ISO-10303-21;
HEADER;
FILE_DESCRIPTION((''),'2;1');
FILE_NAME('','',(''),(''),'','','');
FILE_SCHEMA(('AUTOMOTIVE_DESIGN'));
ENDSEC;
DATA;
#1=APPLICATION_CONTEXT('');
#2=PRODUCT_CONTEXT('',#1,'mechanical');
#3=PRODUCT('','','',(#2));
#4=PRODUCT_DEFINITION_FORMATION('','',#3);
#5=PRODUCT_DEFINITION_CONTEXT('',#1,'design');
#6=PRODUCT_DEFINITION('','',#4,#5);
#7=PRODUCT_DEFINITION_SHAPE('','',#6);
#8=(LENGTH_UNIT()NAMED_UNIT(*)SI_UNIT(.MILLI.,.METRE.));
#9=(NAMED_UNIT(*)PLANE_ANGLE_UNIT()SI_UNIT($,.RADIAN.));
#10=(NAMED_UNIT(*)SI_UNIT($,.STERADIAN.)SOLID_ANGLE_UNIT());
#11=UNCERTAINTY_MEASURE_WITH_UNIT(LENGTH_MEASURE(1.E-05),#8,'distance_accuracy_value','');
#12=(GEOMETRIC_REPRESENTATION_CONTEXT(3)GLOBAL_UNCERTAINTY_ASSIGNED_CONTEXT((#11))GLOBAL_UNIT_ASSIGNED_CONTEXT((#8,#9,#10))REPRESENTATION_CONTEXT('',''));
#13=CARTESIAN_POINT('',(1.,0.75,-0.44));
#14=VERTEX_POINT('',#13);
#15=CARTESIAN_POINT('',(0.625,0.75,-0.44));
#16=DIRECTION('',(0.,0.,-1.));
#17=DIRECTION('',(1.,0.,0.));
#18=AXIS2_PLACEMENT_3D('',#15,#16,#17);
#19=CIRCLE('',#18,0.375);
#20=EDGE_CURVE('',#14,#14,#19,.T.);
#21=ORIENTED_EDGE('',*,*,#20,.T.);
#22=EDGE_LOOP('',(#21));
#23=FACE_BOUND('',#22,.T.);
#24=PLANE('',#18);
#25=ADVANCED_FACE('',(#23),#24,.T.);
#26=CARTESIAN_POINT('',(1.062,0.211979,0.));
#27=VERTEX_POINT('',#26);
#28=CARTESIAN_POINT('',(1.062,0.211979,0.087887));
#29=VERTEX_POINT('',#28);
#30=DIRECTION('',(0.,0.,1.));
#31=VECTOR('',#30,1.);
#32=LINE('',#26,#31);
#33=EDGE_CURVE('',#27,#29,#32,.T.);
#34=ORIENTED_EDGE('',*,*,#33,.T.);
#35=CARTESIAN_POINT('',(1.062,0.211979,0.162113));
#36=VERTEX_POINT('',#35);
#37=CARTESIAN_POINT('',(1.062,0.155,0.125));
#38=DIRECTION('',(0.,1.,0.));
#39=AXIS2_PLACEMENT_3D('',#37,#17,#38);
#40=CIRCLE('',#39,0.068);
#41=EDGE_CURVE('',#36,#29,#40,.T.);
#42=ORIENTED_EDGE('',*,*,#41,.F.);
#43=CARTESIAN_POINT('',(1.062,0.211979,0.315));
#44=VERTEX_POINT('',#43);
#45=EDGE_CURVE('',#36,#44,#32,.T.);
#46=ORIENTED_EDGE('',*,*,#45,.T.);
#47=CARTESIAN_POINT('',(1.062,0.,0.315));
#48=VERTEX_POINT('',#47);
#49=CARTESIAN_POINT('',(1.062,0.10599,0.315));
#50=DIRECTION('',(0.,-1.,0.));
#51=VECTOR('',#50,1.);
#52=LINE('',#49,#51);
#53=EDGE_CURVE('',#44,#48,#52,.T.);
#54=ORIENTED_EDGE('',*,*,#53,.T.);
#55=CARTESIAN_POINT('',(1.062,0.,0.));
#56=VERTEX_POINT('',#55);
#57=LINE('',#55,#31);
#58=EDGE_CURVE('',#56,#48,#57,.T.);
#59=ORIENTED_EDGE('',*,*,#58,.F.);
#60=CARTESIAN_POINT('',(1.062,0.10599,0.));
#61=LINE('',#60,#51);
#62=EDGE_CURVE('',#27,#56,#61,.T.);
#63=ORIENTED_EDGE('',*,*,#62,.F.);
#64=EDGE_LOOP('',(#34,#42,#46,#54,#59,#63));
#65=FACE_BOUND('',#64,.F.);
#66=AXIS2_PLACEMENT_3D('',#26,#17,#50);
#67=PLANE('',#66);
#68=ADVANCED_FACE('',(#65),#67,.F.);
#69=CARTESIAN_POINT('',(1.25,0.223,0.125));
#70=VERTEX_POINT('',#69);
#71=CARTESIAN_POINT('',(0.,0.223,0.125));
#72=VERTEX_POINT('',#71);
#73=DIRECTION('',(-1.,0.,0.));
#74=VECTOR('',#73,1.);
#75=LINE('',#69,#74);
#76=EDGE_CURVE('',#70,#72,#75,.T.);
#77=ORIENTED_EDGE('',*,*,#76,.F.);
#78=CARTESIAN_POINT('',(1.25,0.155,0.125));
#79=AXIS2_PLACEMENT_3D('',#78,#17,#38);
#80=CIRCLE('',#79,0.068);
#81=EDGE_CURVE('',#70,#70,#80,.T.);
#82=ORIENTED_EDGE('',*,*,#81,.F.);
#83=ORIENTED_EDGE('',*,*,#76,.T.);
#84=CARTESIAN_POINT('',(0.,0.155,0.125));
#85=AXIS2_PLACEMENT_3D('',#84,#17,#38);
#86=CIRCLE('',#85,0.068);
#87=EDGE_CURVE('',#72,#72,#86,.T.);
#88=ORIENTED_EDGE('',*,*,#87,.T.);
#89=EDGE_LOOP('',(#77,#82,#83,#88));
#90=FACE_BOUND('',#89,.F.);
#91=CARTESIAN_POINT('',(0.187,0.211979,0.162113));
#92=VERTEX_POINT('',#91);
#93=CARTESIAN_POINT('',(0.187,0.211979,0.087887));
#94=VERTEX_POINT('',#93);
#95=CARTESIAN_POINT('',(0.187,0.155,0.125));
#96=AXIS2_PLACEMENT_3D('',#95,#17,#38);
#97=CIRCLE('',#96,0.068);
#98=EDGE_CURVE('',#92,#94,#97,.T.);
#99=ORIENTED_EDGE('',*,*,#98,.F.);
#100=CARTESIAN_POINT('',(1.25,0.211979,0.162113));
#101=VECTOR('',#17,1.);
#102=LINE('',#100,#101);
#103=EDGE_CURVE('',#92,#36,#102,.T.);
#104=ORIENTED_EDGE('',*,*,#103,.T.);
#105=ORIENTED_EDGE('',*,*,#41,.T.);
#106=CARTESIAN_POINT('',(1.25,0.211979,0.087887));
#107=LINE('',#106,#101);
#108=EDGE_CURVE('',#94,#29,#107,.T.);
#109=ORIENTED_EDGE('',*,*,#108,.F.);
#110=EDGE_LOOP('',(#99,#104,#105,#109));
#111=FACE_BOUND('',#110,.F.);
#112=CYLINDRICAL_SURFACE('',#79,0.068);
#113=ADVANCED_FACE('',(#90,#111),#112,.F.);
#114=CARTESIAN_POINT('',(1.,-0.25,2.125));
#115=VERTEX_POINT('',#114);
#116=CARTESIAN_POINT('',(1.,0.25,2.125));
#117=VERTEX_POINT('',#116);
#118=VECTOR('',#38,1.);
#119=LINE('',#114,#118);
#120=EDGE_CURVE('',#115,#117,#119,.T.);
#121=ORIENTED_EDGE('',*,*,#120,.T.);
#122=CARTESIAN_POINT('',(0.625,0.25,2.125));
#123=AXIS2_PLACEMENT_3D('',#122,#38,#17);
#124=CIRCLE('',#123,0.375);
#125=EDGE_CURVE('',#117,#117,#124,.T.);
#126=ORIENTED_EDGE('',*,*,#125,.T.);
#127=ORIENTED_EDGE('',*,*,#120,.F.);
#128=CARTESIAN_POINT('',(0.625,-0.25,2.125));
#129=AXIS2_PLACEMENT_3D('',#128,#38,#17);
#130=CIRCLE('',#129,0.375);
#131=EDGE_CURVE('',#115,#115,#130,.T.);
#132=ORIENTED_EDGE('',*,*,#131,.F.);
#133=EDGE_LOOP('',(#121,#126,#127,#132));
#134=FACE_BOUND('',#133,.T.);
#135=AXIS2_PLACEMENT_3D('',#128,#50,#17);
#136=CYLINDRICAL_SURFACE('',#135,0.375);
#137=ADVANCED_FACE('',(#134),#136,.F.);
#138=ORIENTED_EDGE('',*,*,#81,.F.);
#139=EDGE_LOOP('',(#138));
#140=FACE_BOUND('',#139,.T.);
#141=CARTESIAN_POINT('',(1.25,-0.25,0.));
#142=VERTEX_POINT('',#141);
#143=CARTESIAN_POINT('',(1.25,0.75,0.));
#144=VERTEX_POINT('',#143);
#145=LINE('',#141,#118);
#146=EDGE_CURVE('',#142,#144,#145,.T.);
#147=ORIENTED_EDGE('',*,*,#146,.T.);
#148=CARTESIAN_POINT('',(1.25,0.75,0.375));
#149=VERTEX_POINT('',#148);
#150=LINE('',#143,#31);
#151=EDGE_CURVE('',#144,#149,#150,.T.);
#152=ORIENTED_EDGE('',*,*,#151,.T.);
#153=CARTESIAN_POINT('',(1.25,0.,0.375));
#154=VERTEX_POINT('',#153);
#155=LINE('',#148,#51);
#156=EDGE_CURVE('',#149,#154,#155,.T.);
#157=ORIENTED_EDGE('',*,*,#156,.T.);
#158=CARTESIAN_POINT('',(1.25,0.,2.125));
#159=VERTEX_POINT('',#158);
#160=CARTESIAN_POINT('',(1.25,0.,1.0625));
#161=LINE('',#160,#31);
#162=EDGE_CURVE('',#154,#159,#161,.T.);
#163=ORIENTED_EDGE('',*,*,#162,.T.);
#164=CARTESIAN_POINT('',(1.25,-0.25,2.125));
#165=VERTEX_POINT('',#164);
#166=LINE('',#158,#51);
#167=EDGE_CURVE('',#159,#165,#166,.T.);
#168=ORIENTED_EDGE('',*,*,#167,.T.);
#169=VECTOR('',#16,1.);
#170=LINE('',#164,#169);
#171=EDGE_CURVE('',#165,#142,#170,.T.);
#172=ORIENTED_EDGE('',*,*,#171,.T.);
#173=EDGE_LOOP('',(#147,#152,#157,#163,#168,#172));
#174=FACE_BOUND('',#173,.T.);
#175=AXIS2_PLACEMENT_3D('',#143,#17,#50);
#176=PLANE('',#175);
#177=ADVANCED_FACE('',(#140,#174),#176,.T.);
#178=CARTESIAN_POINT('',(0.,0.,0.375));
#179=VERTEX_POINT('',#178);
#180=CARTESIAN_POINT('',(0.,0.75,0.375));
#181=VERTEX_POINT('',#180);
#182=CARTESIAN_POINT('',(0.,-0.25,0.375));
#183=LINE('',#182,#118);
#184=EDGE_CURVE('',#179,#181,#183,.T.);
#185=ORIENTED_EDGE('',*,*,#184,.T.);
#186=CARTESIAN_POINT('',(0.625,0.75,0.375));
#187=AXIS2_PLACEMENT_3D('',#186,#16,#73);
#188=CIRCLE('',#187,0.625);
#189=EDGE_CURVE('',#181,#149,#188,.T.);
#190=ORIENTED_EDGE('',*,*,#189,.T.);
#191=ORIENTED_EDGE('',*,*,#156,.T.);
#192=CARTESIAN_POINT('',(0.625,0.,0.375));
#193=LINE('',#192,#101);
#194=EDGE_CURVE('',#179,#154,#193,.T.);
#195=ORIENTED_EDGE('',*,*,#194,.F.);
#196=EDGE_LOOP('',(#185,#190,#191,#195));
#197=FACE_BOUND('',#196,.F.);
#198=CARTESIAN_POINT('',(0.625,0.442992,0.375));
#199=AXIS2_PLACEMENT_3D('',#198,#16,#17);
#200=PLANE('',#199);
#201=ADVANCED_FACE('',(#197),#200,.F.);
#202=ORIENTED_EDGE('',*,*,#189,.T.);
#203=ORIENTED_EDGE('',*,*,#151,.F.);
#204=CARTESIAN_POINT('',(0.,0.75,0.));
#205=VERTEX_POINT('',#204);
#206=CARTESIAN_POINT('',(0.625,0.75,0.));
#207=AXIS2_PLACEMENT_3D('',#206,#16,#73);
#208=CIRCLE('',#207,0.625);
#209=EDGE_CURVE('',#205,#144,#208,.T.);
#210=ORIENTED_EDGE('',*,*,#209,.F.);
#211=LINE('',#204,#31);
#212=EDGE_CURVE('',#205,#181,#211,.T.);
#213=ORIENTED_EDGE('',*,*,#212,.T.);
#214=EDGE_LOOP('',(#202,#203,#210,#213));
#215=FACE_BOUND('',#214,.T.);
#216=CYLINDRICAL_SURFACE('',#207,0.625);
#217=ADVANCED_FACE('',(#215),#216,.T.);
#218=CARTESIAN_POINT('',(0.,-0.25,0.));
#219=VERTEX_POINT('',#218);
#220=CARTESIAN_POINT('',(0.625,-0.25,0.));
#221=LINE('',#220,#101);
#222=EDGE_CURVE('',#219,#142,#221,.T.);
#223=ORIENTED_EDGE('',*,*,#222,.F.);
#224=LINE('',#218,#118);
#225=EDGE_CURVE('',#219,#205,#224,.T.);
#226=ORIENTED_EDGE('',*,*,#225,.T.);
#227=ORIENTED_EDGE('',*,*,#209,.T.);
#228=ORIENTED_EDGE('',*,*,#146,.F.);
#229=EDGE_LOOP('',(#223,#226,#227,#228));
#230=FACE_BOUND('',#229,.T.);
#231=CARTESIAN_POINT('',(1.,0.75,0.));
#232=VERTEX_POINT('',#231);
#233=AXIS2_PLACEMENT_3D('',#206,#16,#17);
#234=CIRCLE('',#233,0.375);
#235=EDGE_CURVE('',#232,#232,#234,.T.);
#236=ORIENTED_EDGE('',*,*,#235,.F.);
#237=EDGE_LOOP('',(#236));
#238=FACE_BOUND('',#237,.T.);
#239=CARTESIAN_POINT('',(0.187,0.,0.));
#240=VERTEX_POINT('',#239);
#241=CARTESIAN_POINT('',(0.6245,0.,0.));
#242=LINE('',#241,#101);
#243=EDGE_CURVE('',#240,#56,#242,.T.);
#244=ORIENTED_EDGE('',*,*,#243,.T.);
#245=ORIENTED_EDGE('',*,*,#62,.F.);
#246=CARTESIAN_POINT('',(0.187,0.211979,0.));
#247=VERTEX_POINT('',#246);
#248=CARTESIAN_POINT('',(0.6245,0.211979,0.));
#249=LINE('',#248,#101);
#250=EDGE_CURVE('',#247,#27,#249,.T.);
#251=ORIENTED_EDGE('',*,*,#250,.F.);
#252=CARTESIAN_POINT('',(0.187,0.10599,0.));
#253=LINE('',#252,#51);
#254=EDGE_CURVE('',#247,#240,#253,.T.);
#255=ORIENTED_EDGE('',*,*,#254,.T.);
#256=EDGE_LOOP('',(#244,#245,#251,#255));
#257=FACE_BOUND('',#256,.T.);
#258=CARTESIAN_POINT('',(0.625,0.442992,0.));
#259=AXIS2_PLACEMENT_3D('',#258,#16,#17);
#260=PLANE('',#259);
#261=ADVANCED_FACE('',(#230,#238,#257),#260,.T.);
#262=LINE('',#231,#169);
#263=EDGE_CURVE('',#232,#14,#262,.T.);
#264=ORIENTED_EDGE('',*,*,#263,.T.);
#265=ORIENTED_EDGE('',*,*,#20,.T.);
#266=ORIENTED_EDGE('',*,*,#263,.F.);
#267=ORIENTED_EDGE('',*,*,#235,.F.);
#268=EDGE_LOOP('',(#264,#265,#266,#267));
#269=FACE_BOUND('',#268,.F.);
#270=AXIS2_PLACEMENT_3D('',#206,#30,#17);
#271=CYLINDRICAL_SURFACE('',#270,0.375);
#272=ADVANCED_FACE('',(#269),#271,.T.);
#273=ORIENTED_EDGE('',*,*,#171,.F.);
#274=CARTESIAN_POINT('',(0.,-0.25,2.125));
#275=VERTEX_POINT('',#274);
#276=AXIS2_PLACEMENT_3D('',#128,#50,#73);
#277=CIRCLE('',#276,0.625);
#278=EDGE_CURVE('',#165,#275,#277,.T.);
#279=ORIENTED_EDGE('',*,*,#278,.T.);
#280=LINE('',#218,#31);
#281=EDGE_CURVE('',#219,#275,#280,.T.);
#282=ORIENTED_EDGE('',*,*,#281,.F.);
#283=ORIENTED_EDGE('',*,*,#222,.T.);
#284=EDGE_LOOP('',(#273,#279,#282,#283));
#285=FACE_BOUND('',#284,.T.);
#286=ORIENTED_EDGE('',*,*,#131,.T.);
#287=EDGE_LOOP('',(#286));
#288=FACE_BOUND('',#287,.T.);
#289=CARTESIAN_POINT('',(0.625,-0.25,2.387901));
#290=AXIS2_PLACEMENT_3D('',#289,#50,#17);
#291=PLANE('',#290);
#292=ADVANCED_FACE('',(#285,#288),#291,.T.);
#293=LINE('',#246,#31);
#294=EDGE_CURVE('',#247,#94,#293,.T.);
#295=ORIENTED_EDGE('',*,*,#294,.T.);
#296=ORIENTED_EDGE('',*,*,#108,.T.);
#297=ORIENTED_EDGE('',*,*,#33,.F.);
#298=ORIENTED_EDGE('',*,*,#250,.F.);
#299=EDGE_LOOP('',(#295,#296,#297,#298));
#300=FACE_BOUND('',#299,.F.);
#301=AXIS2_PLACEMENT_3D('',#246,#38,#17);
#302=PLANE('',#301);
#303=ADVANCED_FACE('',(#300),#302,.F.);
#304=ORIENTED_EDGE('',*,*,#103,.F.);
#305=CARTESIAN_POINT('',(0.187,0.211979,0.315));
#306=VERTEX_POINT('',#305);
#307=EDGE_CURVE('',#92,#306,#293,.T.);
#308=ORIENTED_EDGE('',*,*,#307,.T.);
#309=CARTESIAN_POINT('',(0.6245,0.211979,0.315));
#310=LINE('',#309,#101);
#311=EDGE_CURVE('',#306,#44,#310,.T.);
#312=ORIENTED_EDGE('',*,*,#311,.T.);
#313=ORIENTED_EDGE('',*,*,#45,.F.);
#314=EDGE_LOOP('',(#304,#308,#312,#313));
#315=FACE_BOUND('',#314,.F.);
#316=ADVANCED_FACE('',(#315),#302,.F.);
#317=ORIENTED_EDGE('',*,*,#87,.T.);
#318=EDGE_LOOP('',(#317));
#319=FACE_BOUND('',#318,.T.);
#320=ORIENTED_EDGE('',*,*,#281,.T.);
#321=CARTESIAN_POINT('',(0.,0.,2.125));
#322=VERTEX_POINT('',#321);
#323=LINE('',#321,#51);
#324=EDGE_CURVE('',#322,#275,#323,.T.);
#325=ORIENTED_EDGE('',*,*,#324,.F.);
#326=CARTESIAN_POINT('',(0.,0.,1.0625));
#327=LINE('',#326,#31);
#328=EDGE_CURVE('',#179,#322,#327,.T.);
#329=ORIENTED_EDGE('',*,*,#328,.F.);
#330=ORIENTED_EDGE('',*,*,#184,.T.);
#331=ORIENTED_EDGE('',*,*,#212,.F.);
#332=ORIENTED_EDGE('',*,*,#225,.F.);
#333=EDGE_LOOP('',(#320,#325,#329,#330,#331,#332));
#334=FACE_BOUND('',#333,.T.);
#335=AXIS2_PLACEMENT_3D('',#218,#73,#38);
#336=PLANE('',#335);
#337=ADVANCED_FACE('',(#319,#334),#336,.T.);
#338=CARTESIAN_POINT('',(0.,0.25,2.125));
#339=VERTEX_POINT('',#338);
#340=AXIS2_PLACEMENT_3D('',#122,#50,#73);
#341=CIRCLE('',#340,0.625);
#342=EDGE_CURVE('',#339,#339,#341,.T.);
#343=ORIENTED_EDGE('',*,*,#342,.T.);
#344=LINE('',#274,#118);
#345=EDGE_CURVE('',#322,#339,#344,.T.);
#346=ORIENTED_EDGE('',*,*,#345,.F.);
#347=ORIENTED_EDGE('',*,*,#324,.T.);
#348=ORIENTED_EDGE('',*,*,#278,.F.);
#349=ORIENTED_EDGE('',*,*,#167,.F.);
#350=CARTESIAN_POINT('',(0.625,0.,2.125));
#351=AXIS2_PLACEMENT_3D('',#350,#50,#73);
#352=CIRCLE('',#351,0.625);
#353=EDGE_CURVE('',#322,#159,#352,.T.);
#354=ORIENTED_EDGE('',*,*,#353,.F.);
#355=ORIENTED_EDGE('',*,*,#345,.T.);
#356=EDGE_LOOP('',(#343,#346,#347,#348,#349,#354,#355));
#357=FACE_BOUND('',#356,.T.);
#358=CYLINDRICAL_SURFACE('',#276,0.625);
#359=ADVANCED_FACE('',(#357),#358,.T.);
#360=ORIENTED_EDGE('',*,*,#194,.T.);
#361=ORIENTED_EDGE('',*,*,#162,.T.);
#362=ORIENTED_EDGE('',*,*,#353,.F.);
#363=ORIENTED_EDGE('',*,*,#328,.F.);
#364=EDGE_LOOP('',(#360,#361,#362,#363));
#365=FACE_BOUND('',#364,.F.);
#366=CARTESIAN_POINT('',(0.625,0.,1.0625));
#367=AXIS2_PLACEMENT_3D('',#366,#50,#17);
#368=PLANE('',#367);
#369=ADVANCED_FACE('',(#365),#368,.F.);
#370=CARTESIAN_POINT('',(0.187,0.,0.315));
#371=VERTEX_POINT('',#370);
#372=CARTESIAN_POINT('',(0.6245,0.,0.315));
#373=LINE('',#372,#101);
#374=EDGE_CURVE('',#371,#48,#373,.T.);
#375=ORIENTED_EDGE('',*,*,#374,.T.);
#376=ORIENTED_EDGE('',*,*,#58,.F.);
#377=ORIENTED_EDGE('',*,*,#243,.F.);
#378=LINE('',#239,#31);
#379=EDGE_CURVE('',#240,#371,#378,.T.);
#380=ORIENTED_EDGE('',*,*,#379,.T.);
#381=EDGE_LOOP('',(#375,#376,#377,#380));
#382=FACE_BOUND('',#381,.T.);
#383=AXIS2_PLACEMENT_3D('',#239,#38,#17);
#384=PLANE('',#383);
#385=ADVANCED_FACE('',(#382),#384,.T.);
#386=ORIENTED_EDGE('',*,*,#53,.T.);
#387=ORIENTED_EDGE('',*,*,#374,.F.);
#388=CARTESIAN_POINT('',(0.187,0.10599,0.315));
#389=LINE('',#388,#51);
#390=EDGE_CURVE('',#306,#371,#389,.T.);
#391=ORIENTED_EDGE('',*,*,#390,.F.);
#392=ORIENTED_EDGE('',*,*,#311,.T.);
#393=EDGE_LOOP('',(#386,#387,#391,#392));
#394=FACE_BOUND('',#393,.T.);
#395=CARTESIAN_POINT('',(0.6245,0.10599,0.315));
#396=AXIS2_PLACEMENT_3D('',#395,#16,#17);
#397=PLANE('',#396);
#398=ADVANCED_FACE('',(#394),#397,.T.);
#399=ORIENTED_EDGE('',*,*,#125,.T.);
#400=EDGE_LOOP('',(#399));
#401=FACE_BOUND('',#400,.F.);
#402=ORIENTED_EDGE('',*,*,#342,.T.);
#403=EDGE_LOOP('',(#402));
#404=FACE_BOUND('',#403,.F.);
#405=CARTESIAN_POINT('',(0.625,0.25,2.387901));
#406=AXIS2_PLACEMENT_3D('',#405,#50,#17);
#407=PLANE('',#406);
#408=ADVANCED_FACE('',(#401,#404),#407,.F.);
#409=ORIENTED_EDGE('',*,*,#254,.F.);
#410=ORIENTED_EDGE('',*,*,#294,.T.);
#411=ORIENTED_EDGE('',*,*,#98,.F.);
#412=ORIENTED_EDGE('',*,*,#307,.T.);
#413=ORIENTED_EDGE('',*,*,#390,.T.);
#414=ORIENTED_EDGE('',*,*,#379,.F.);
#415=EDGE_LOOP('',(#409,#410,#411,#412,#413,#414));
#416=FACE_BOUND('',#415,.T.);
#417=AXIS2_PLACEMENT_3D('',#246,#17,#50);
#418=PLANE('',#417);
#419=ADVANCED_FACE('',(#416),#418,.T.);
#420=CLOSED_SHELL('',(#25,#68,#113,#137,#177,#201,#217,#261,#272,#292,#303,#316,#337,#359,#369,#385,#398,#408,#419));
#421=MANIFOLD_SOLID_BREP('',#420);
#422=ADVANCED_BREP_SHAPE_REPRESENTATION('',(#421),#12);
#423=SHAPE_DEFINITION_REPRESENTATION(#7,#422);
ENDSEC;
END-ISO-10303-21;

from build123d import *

# Parameters (mm, degrees)
F0_W      = 1.25
F0_H      = 2.125
F1_DEPTH  = 0.25
F3_DEPTH  = 0.5
F5_DEPTH  = 25
F7_DEPTH  = 0.375
F8_R      = 0.375
F9_DEPTH  = 0.44
F10_W     = 0.875
F10_H     = 0.2119794213
F11_DEPTH = 0.315
F12_R     = 0.068
F13_DEPTH = 1.251


with BuildPart() as f1:
    # F0 (on Front) → F1 (new body)
    with BuildSketch(Plane.XZ):
        with Locations((0.625, 1.0625)):
            Rectangle(F0_W, F0_H)
    extrude(amount=F1_DEPTH)

    # F2 (on face) → F3 (join)
    with BuildSketch(Plane.XZ.offset(0.25)):
        with BuildLine():
            Line((1, 2.125), (1.25, 2.125))
            ThreePointArc((1.25, 2.125), (0.625, 2.75), (0, 2.125))
            Line((0, 2.125), (0.25, 2.125))
            ThreePointArc((0.25, 2.125), (0.625, 2.5), (1, 2.125))
        make_face()
        with BuildLine():
            ThreePointArc((0, 2.125), (0.625, 1.5), (1.25, 2.125))
            Line((1.25, 2.125), (1, 2.125))
            ThreePointArc((1, 2.125), (0.625, 1.75), (0.25, 2.125))
            Line((0.25, 2.125), (0, 2.125))
        make_face()
    extrude(amount=-F3_DEPTH)

    # F4 (on face) → F5 (cut)
    with BuildSketch(Plane(origin=(0, 0, 0), x_dir=(-1, 0, 0), z_dir=(0, 1, 0))):
        with BuildLine():
            Line((-0.25, 2.125), (-1, 2.125))
            ThreePointArc((-1, 2.125), (-0.625, 1.75), (-0.25, 2.125))
        make_face()
    extrude(amount=-F5_DEPTH, mode=Mode.SUBTRACT)

    # F6 (on face) → F7 (join)
    with BuildSketch(Plane(origin=(0, 0, 0), x_dir=(1, 0, 0), z_dir=(0, 0, -1))):
        with BuildLine():
            Line((1.25, -0.75), (1.25, 0.25))
            Line((1.25, 0.25), (0, 0.25))
            Line((0, 0.25), (0, -0.75))
            ThreePointArc((0, -0.75), (0.625, -1.375), (1.25, -0.75))
        make_face()
    extrude(amount=-F7_DEPTH)

    # F8 (on face) → F9 (join)
    with BuildSketch(Plane(origin=(0, 0, 0), x_dir=(1, 0, 0), z_dir=(0, 0, -1))):
        with Locations((0.625, -0.75)):
            Circle(F8_R)
    extrude(amount=F9_DEPTH)

    # F10 (on face) → F11 (cut)
    with BuildSketch(Plane(origin=(0, 0, 0), x_dir=(1, 0, 0), z_dir=(0, 0, -1))):
        with Locations((0.6245, -0.1059897106)):
            Rectangle(F10_W, F10_H)
    extrude(amount=-F11_DEPTH, mode=Mode.SUBTRACT)

    # F12 (on face) → F13 (cut, through all)
    with BuildSketch(Plane.YZ.offset(1.25)):
        with Locations((0.155, 0.125)):
            Circle(F12_R)
    extrude(amount=-F13_DEPTH, mode=Mode.SUBTRACT)


solid = f1.part
